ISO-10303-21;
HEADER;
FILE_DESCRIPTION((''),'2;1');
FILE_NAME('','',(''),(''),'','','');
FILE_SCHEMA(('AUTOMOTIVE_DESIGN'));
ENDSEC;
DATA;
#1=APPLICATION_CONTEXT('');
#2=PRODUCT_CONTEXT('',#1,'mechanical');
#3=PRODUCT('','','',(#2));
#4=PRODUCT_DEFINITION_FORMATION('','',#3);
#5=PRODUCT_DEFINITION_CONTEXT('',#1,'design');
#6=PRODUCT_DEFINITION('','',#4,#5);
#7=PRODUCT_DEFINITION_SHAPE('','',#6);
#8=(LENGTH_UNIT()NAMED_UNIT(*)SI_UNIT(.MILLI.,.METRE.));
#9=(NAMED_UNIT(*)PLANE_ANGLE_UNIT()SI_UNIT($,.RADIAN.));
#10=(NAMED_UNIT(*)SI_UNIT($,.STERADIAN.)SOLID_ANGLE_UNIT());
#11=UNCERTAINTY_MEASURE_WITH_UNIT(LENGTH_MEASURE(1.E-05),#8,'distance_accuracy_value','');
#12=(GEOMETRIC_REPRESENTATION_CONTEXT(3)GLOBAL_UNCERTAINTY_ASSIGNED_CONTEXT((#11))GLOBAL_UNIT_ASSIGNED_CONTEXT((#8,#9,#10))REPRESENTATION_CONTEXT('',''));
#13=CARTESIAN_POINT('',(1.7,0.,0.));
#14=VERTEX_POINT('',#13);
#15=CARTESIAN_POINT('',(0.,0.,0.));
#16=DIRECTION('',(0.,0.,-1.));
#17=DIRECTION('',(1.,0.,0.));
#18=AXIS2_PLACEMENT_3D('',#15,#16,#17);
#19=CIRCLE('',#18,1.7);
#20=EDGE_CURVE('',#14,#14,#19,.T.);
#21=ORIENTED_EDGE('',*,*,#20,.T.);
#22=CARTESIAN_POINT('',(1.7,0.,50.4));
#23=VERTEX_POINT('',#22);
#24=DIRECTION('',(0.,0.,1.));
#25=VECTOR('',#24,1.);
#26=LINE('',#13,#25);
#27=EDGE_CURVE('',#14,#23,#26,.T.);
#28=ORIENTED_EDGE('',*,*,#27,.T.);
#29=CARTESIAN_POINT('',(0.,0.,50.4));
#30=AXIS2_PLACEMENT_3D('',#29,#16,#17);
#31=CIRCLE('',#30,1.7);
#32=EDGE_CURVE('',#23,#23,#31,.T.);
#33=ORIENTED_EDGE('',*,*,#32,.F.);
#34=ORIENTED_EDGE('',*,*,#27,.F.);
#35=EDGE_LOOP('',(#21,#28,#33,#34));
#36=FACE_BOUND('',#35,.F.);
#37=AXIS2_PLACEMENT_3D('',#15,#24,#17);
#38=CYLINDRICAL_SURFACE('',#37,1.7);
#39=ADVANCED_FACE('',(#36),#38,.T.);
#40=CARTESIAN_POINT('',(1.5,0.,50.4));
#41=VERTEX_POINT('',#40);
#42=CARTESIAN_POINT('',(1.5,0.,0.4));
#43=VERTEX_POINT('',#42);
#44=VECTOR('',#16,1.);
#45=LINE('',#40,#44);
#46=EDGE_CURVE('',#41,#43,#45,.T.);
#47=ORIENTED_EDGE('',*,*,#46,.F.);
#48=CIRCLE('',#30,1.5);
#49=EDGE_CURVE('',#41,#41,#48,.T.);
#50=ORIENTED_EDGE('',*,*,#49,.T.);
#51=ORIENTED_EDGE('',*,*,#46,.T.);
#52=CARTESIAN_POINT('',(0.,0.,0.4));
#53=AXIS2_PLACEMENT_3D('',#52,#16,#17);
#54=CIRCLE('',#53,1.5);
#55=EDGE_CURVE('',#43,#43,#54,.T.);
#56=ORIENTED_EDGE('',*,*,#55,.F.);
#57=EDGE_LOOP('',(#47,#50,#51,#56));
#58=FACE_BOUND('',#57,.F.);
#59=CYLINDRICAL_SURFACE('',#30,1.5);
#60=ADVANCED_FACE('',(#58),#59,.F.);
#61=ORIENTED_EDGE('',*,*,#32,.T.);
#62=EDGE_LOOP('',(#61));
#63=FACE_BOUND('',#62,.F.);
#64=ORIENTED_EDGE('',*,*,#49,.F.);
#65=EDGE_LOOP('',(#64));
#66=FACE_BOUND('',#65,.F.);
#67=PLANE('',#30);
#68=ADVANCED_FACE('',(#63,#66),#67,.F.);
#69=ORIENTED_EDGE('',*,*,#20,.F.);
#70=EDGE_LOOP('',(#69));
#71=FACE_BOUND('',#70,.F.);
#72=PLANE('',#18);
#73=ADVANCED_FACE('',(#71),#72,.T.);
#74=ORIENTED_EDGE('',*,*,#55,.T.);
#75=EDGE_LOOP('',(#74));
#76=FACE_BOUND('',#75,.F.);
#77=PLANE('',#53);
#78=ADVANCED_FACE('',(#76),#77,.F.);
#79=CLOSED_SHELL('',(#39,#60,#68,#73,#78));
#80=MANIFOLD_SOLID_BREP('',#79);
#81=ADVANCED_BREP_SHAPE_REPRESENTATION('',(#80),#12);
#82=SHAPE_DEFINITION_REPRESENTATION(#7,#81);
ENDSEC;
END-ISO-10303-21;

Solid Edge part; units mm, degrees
sketch "Sketch1" plane through (0, 0, 0) normal (0, -1, 0) x (1, 0, 0)
  line L0 (1.7, 0) -> (1.7, 50.4)
  line L1 (1.7, 50.4) -> (1.5, 50.4)
  line L2 (1.5, 50.4) -> (1.5, 0.4)
  line L3 (1.5, 0.4) -> (0, 0.4)
  line L4 (0, 0.4) -> (0, 0)
  line L5 (0, 0) -> (1.7, 0)
revolve "RevolvedProtrusion1" add sketch "Sketch1" angle 360 about axis through (0, 0, 1) along (0, 0, -1)
